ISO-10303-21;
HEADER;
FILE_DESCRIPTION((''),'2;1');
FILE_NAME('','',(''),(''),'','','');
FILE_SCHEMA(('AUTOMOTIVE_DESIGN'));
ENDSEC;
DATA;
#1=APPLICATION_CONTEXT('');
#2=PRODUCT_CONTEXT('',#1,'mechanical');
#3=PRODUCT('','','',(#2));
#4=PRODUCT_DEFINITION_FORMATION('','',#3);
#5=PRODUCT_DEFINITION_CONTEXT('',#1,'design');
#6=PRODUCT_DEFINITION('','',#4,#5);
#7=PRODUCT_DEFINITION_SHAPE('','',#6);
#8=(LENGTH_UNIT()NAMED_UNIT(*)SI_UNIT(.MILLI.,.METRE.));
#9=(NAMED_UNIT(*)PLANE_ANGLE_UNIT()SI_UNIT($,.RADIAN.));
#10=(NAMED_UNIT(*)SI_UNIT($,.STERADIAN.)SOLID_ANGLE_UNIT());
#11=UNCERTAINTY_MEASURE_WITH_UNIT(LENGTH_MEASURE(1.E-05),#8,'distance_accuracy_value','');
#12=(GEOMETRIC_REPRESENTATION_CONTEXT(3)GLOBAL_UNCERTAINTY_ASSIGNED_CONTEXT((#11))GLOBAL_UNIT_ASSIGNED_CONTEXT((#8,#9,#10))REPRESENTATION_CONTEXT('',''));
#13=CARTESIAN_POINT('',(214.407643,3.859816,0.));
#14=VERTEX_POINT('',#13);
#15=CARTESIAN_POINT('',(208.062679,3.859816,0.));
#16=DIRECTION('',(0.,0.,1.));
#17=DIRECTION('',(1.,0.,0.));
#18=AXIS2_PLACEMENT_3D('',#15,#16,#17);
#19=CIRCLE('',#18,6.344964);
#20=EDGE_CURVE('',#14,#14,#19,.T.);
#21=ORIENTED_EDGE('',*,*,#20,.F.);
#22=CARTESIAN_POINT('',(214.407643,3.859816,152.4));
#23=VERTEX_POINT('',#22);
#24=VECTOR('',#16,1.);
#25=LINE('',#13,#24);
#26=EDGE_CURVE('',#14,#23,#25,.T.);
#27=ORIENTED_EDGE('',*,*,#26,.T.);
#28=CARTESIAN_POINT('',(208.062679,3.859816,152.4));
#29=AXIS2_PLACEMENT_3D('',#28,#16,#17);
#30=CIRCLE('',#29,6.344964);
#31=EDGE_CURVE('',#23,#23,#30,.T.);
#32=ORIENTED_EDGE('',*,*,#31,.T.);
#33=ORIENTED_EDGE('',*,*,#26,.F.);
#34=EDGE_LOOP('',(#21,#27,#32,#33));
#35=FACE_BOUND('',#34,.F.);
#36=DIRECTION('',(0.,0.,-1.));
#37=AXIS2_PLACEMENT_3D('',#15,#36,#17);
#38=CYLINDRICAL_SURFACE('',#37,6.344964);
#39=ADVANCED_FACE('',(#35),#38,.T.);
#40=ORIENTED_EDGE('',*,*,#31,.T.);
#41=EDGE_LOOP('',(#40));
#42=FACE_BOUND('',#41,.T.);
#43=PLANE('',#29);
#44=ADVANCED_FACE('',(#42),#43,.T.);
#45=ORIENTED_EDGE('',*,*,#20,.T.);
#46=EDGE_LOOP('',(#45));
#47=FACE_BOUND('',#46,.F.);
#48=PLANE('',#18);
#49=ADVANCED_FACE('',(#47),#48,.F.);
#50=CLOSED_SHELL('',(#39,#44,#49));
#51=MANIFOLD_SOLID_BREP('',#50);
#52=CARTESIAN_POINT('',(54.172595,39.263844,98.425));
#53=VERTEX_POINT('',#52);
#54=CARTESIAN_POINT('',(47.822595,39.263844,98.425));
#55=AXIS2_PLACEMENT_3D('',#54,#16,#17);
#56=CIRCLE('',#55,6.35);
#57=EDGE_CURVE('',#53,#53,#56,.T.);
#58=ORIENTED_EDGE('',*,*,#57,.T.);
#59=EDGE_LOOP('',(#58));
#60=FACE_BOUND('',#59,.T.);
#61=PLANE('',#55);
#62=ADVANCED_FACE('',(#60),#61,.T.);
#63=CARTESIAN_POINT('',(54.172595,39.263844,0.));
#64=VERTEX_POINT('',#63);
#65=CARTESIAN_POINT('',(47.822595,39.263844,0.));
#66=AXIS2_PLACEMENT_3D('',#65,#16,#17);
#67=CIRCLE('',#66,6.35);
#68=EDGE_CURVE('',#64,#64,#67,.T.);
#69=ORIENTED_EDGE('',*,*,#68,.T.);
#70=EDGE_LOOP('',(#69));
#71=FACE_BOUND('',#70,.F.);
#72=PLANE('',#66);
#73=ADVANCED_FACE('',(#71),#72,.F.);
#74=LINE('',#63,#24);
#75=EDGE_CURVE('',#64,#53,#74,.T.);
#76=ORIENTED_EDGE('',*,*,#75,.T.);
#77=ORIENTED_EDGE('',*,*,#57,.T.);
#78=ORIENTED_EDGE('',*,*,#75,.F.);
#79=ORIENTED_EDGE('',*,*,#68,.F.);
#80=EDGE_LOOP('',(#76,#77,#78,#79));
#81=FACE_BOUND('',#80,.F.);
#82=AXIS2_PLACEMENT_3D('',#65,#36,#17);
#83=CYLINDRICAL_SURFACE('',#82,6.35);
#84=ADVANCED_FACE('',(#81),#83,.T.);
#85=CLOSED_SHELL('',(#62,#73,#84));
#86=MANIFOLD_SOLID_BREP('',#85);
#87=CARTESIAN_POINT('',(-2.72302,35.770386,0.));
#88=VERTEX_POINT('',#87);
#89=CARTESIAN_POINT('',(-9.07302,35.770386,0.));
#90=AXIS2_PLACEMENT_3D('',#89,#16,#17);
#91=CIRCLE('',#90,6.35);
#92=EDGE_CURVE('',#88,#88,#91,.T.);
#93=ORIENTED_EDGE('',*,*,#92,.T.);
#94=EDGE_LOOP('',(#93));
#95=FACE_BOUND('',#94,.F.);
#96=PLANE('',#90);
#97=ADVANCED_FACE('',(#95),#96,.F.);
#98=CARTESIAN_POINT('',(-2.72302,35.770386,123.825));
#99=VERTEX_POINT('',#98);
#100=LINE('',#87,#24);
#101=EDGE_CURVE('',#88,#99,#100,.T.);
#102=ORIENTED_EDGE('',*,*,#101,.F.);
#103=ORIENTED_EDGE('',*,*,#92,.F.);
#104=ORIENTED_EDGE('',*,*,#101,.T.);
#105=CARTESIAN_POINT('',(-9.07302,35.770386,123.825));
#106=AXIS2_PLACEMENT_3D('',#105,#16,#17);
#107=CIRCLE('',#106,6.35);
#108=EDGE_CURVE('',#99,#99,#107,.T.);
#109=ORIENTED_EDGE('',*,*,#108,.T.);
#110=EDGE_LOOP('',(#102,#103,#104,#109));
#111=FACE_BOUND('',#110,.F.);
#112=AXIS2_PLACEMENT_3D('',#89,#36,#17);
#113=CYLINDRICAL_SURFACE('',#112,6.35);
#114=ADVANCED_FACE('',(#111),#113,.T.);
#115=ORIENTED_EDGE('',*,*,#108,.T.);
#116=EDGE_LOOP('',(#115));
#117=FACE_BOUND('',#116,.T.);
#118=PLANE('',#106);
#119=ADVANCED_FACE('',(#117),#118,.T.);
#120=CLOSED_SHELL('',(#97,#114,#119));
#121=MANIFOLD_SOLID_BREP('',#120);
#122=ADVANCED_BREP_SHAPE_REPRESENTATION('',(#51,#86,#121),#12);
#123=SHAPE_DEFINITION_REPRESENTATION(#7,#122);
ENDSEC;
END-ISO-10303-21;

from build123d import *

# Parameters (mm, degrees)
F0_R     = 6.344964
F1_DEPTH = 152.4
F2_R     = 6.35
F3_DEPTH = 98.425
F4_R     = 6.35
F5_DEPTH = 123.825


with BuildPart() as f1:
    # F0 (on Top) → F1 (new body)
    with BuildSketch(Plane.XY):
        with Locations((208.062679, 3.859816)):
            Circle(F0_R)
    extrude(amount=F1_DEPTH)


with BuildPart() as f3:
    # F2 (on Top) → F3 (new body)
    with BuildSketch(Plane.XY):
        with Locations((47.822595, 39.263844)):
            Circle(F2_R)
    extrude(amount=F3_DEPTH)


with BuildPart() as f5:
    # F4 (on Top) → F5 (new body)
    with BuildSketch(Plane.XY):
        with Locations((-9.07302, 35.770386)):
            Circle(F4_R)
    extrude(amount=F5_DEPTH)


solid = Compound([f1.part, f3.part, f5.part])
